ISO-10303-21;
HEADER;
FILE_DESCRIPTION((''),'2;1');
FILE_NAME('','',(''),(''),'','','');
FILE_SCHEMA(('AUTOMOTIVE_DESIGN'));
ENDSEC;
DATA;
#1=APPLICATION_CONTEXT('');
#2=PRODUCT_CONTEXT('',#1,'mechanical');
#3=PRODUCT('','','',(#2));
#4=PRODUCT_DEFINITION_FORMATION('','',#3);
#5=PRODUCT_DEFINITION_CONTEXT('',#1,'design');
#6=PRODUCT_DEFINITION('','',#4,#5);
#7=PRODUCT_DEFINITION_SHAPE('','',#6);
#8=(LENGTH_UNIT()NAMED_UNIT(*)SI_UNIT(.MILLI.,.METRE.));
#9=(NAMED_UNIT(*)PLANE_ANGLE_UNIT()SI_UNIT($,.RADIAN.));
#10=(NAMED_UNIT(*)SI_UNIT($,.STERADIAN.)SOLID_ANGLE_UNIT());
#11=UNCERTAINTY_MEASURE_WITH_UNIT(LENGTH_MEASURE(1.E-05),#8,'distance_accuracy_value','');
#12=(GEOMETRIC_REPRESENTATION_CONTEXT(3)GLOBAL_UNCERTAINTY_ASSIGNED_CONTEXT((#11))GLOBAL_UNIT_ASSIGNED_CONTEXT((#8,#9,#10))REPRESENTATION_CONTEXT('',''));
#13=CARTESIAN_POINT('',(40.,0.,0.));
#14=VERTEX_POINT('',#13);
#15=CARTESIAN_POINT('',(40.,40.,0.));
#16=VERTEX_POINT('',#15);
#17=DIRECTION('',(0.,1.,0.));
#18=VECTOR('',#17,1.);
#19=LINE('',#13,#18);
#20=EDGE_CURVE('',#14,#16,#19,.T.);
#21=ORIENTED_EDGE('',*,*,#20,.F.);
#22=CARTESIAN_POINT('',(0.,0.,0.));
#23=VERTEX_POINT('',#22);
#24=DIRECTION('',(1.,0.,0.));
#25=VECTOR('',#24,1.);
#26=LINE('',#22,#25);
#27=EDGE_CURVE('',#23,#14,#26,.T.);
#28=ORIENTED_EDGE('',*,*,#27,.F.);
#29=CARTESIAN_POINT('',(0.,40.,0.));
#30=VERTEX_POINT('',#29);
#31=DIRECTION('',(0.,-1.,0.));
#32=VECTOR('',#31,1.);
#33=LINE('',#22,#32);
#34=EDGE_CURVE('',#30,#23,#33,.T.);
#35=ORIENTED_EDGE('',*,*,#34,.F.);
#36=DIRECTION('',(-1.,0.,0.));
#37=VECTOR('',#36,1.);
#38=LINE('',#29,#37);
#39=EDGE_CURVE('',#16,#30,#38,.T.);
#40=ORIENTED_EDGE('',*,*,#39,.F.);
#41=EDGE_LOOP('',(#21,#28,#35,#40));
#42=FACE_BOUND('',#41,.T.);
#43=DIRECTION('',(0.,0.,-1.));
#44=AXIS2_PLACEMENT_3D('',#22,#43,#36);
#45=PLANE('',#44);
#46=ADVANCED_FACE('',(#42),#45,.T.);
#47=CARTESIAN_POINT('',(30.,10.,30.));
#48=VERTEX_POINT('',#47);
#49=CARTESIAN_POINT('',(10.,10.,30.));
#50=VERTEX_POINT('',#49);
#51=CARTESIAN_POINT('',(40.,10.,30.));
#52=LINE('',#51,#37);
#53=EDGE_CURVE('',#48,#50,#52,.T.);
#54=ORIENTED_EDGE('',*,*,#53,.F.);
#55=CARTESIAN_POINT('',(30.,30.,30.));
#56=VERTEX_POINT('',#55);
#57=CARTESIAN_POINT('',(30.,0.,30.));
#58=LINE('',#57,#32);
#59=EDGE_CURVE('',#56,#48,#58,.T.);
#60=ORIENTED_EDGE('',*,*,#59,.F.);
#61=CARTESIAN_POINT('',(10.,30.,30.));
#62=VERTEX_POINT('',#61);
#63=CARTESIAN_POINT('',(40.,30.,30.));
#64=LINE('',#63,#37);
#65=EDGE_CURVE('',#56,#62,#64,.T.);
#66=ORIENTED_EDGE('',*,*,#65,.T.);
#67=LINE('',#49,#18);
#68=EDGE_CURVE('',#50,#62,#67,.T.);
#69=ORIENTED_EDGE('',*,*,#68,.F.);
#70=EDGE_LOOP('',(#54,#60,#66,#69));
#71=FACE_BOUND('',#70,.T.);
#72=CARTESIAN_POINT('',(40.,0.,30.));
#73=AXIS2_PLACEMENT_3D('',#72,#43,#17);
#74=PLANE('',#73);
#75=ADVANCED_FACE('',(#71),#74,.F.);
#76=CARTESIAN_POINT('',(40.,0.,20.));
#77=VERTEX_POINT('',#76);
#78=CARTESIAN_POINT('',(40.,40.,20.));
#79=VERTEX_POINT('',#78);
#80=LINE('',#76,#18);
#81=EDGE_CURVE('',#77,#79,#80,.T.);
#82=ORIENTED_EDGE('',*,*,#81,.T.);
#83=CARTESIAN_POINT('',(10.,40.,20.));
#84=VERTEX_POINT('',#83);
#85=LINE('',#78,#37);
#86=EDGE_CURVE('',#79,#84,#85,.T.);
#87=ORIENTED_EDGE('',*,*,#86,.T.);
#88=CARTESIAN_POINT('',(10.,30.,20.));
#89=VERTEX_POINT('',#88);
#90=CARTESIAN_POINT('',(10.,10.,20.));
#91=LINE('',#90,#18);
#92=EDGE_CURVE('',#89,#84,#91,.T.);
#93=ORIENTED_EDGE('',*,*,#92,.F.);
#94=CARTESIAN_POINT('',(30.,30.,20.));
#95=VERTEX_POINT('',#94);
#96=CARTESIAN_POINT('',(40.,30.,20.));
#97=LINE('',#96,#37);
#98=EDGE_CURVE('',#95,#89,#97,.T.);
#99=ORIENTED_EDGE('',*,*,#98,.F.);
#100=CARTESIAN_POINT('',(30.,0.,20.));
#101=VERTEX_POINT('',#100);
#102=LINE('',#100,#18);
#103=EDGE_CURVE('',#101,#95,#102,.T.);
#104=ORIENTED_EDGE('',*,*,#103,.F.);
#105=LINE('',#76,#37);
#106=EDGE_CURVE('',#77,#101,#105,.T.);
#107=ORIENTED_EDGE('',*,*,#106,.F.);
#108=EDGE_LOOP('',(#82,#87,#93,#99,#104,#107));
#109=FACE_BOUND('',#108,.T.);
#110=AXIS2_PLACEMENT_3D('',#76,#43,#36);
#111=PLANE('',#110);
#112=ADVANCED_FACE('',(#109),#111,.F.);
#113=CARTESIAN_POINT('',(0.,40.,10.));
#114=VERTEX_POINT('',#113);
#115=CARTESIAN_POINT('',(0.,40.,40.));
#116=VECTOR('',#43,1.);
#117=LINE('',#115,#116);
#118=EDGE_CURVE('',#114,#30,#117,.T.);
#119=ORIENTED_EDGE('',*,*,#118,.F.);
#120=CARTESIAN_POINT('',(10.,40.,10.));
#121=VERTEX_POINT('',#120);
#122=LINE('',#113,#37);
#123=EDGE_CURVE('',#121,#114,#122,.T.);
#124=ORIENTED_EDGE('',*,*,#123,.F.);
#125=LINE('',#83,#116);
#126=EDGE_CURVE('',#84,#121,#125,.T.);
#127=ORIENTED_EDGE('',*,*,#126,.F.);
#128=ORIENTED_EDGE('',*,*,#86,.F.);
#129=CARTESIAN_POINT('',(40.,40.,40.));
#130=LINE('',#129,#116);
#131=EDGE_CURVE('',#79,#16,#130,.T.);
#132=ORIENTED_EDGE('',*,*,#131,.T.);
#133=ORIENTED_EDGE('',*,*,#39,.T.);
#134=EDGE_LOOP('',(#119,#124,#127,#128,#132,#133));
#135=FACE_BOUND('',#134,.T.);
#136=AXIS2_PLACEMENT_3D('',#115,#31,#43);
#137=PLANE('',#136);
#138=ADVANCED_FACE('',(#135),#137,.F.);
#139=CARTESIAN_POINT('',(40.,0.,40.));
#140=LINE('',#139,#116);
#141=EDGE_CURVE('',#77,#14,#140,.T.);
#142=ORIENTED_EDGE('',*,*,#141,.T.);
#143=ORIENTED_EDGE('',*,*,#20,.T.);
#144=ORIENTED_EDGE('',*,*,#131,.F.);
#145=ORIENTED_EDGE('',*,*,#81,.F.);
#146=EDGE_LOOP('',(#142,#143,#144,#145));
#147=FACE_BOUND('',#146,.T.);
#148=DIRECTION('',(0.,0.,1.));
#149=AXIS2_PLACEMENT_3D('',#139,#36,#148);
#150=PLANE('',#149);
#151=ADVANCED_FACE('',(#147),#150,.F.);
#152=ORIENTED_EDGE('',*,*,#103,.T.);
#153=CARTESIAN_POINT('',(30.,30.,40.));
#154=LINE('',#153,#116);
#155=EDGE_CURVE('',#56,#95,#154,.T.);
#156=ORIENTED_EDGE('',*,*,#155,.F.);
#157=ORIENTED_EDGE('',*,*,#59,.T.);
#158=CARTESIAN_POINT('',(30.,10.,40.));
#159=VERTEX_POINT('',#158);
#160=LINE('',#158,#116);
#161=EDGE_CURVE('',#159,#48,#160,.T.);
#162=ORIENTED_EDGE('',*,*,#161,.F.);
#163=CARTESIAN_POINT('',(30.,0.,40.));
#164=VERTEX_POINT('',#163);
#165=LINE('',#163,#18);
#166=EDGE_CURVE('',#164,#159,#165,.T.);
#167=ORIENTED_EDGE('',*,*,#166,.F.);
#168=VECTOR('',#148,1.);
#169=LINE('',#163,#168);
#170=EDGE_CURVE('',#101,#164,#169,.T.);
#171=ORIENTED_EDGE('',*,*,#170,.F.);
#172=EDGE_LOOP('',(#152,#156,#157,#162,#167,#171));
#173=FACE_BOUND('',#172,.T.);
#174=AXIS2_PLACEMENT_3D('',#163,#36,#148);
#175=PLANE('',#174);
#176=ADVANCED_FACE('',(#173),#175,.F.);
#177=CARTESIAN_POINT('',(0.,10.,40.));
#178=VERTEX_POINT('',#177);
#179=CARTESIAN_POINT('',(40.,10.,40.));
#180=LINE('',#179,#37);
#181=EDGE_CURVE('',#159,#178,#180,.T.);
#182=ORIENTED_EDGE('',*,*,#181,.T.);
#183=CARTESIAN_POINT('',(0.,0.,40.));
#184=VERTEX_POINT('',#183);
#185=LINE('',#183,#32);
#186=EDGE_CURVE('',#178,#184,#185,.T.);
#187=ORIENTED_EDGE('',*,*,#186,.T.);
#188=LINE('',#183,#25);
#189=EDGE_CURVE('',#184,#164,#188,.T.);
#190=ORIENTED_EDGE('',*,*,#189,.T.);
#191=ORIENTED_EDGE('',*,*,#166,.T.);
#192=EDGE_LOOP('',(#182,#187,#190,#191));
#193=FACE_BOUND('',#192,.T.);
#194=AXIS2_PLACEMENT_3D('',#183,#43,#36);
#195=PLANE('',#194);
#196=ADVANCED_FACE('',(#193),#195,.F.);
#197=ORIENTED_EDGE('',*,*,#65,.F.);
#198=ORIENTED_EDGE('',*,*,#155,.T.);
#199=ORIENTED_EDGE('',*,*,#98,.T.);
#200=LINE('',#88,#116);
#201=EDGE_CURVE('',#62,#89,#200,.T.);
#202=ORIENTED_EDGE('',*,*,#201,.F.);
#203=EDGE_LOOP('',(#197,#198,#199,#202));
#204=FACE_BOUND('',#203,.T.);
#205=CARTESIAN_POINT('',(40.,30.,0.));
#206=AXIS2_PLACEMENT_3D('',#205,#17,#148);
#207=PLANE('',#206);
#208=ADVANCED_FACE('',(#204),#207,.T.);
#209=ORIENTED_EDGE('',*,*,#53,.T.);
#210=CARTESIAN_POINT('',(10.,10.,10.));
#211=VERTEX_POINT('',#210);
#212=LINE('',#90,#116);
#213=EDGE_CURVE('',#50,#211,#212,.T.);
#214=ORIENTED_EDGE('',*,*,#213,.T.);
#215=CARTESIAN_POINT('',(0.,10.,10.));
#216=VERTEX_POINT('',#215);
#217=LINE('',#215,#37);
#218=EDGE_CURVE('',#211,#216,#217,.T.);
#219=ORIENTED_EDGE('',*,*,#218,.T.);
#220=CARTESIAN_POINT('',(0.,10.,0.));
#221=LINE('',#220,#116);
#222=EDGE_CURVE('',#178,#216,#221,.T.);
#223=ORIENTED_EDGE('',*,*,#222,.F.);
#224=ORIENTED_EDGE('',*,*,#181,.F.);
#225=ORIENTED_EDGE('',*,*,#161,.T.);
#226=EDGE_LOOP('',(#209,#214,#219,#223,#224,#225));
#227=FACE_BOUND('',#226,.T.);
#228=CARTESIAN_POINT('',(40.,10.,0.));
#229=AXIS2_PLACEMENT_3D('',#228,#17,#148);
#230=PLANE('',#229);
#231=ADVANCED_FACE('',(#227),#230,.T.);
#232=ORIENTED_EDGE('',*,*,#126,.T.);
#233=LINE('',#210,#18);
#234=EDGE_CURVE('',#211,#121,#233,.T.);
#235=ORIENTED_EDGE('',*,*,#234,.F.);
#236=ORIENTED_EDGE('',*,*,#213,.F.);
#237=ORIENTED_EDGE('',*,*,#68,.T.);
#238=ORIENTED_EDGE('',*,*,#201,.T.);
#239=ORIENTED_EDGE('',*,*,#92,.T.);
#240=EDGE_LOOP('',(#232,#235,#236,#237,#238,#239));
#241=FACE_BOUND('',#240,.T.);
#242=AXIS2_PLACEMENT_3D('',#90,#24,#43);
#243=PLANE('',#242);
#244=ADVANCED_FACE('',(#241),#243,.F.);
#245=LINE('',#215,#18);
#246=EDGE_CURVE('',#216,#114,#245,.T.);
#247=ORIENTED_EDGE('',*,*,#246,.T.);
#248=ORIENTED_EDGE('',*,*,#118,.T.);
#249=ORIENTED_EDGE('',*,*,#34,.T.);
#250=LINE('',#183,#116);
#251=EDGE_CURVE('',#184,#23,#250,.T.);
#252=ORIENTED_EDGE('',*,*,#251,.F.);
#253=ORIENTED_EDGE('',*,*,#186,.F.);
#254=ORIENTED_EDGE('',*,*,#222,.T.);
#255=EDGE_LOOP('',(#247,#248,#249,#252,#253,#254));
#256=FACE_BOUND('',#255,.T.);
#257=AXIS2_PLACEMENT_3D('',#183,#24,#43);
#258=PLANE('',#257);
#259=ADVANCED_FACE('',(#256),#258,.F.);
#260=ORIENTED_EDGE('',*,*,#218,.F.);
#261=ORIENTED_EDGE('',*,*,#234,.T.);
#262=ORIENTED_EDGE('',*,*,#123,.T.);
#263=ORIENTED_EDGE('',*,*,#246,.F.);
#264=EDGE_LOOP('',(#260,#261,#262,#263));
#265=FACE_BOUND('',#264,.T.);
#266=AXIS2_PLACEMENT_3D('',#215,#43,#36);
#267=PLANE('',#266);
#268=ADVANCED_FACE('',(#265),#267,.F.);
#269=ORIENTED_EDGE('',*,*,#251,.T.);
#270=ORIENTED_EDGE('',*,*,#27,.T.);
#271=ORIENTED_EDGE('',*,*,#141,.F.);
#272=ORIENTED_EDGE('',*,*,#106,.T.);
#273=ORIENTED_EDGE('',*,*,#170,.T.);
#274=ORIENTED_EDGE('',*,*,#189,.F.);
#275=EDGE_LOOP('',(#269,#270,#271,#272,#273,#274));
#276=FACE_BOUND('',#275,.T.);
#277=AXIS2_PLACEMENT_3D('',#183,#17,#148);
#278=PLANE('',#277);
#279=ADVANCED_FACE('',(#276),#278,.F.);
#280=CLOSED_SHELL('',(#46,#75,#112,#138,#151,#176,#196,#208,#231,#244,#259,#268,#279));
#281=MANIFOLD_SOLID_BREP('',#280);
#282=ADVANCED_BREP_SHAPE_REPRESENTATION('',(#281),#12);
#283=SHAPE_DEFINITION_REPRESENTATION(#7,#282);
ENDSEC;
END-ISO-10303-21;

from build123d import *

# Parameters (mm, degrees)
SKETCH1_W           = 40
SKETCH1_H           = 40
BOSS_EXTRUDE1_DEPTH = 40
SKETCH2_W           = 10
SKETCH2_H           = 20
CUT_EXTRUDE1_DEPTH  = 40
SKETCH3_W           = 10
SKETCH3_H           = 10
CUT_EXTRUDE2_DEPTH  = 40
SKETCH4_W           = 10
SKETCH4_H           = 10
CUT_EXTRUDE4_DEPTH  = 20
SKETCH5_W           = 10
SKETCH5_H           = 10
CUT_EXTRUDE5_DEPTH  = 30


with BuildPart() as part:
    # Sketch1 → Boss-Extrude1 (new body)
    with BuildSketch(Plane.XY):
        with Locations((20, 20)):
            Rectangle(SKETCH1_W, SKETCH1_H)
    extrude(amount=BOSS_EXTRUDE1_DEPTH)

    # Sketch2 → Cut-Extrude1 (cut)
    with BuildSketch(Plane(origin=(0, 40, 0), x_dir=(1, 0, 0), z_dir=(0, 1, 0))):
        with Locations((35, -30)):
            Rectangle(SKETCH2_W, SKETCH2_H)
    extrude(amount=-CUT_EXTRUDE1_DEPTH, mode=Mode.SUBTRACT)

    # Sketch3 → Cut-Extrude2 (cut)
    with BuildSketch(Plane.ZY):
        with Locations((25, 35)):
            Rectangle(SKETCH3_W, SKETCH3_H)
        Polygon((40, 10), (40, 40), (30, 40), (30, 30), (30, 10), align=None)
    extrude(amount=-CUT_EXTRUDE2_DEPTH, mode=Mode.SUBTRACT)

    # Sketch4 → Cut-Extrude4 (cut)
    with BuildSketch(Plane(origin=(0, 30, 0), x_dir=(1, 0, 0), z_dir=(0, 1, 0))):
        with Locations((5, -25)):
            Rectangle(SKETCH4_W, SKETCH4_H)
    extrude(amount=-CUT_EXTRUDE4_DEPTH, mode=Mode.SUBTRACT)

    # Sketch5 → Cut-Extrude5 (cut)
    with BuildSketch(Plane(origin=(0, 40, 0), x_dir=(1, 0, 0), z_dir=(0, 1, 0))):
        with Locations((5, -15)):
            Rectangle(SKETCH5_W, SKETCH5_H)
    extrude(amount=-CUT_EXTRUDE5_DEPTH, mode=Mode.SUBTRACT)


solid = part.part
